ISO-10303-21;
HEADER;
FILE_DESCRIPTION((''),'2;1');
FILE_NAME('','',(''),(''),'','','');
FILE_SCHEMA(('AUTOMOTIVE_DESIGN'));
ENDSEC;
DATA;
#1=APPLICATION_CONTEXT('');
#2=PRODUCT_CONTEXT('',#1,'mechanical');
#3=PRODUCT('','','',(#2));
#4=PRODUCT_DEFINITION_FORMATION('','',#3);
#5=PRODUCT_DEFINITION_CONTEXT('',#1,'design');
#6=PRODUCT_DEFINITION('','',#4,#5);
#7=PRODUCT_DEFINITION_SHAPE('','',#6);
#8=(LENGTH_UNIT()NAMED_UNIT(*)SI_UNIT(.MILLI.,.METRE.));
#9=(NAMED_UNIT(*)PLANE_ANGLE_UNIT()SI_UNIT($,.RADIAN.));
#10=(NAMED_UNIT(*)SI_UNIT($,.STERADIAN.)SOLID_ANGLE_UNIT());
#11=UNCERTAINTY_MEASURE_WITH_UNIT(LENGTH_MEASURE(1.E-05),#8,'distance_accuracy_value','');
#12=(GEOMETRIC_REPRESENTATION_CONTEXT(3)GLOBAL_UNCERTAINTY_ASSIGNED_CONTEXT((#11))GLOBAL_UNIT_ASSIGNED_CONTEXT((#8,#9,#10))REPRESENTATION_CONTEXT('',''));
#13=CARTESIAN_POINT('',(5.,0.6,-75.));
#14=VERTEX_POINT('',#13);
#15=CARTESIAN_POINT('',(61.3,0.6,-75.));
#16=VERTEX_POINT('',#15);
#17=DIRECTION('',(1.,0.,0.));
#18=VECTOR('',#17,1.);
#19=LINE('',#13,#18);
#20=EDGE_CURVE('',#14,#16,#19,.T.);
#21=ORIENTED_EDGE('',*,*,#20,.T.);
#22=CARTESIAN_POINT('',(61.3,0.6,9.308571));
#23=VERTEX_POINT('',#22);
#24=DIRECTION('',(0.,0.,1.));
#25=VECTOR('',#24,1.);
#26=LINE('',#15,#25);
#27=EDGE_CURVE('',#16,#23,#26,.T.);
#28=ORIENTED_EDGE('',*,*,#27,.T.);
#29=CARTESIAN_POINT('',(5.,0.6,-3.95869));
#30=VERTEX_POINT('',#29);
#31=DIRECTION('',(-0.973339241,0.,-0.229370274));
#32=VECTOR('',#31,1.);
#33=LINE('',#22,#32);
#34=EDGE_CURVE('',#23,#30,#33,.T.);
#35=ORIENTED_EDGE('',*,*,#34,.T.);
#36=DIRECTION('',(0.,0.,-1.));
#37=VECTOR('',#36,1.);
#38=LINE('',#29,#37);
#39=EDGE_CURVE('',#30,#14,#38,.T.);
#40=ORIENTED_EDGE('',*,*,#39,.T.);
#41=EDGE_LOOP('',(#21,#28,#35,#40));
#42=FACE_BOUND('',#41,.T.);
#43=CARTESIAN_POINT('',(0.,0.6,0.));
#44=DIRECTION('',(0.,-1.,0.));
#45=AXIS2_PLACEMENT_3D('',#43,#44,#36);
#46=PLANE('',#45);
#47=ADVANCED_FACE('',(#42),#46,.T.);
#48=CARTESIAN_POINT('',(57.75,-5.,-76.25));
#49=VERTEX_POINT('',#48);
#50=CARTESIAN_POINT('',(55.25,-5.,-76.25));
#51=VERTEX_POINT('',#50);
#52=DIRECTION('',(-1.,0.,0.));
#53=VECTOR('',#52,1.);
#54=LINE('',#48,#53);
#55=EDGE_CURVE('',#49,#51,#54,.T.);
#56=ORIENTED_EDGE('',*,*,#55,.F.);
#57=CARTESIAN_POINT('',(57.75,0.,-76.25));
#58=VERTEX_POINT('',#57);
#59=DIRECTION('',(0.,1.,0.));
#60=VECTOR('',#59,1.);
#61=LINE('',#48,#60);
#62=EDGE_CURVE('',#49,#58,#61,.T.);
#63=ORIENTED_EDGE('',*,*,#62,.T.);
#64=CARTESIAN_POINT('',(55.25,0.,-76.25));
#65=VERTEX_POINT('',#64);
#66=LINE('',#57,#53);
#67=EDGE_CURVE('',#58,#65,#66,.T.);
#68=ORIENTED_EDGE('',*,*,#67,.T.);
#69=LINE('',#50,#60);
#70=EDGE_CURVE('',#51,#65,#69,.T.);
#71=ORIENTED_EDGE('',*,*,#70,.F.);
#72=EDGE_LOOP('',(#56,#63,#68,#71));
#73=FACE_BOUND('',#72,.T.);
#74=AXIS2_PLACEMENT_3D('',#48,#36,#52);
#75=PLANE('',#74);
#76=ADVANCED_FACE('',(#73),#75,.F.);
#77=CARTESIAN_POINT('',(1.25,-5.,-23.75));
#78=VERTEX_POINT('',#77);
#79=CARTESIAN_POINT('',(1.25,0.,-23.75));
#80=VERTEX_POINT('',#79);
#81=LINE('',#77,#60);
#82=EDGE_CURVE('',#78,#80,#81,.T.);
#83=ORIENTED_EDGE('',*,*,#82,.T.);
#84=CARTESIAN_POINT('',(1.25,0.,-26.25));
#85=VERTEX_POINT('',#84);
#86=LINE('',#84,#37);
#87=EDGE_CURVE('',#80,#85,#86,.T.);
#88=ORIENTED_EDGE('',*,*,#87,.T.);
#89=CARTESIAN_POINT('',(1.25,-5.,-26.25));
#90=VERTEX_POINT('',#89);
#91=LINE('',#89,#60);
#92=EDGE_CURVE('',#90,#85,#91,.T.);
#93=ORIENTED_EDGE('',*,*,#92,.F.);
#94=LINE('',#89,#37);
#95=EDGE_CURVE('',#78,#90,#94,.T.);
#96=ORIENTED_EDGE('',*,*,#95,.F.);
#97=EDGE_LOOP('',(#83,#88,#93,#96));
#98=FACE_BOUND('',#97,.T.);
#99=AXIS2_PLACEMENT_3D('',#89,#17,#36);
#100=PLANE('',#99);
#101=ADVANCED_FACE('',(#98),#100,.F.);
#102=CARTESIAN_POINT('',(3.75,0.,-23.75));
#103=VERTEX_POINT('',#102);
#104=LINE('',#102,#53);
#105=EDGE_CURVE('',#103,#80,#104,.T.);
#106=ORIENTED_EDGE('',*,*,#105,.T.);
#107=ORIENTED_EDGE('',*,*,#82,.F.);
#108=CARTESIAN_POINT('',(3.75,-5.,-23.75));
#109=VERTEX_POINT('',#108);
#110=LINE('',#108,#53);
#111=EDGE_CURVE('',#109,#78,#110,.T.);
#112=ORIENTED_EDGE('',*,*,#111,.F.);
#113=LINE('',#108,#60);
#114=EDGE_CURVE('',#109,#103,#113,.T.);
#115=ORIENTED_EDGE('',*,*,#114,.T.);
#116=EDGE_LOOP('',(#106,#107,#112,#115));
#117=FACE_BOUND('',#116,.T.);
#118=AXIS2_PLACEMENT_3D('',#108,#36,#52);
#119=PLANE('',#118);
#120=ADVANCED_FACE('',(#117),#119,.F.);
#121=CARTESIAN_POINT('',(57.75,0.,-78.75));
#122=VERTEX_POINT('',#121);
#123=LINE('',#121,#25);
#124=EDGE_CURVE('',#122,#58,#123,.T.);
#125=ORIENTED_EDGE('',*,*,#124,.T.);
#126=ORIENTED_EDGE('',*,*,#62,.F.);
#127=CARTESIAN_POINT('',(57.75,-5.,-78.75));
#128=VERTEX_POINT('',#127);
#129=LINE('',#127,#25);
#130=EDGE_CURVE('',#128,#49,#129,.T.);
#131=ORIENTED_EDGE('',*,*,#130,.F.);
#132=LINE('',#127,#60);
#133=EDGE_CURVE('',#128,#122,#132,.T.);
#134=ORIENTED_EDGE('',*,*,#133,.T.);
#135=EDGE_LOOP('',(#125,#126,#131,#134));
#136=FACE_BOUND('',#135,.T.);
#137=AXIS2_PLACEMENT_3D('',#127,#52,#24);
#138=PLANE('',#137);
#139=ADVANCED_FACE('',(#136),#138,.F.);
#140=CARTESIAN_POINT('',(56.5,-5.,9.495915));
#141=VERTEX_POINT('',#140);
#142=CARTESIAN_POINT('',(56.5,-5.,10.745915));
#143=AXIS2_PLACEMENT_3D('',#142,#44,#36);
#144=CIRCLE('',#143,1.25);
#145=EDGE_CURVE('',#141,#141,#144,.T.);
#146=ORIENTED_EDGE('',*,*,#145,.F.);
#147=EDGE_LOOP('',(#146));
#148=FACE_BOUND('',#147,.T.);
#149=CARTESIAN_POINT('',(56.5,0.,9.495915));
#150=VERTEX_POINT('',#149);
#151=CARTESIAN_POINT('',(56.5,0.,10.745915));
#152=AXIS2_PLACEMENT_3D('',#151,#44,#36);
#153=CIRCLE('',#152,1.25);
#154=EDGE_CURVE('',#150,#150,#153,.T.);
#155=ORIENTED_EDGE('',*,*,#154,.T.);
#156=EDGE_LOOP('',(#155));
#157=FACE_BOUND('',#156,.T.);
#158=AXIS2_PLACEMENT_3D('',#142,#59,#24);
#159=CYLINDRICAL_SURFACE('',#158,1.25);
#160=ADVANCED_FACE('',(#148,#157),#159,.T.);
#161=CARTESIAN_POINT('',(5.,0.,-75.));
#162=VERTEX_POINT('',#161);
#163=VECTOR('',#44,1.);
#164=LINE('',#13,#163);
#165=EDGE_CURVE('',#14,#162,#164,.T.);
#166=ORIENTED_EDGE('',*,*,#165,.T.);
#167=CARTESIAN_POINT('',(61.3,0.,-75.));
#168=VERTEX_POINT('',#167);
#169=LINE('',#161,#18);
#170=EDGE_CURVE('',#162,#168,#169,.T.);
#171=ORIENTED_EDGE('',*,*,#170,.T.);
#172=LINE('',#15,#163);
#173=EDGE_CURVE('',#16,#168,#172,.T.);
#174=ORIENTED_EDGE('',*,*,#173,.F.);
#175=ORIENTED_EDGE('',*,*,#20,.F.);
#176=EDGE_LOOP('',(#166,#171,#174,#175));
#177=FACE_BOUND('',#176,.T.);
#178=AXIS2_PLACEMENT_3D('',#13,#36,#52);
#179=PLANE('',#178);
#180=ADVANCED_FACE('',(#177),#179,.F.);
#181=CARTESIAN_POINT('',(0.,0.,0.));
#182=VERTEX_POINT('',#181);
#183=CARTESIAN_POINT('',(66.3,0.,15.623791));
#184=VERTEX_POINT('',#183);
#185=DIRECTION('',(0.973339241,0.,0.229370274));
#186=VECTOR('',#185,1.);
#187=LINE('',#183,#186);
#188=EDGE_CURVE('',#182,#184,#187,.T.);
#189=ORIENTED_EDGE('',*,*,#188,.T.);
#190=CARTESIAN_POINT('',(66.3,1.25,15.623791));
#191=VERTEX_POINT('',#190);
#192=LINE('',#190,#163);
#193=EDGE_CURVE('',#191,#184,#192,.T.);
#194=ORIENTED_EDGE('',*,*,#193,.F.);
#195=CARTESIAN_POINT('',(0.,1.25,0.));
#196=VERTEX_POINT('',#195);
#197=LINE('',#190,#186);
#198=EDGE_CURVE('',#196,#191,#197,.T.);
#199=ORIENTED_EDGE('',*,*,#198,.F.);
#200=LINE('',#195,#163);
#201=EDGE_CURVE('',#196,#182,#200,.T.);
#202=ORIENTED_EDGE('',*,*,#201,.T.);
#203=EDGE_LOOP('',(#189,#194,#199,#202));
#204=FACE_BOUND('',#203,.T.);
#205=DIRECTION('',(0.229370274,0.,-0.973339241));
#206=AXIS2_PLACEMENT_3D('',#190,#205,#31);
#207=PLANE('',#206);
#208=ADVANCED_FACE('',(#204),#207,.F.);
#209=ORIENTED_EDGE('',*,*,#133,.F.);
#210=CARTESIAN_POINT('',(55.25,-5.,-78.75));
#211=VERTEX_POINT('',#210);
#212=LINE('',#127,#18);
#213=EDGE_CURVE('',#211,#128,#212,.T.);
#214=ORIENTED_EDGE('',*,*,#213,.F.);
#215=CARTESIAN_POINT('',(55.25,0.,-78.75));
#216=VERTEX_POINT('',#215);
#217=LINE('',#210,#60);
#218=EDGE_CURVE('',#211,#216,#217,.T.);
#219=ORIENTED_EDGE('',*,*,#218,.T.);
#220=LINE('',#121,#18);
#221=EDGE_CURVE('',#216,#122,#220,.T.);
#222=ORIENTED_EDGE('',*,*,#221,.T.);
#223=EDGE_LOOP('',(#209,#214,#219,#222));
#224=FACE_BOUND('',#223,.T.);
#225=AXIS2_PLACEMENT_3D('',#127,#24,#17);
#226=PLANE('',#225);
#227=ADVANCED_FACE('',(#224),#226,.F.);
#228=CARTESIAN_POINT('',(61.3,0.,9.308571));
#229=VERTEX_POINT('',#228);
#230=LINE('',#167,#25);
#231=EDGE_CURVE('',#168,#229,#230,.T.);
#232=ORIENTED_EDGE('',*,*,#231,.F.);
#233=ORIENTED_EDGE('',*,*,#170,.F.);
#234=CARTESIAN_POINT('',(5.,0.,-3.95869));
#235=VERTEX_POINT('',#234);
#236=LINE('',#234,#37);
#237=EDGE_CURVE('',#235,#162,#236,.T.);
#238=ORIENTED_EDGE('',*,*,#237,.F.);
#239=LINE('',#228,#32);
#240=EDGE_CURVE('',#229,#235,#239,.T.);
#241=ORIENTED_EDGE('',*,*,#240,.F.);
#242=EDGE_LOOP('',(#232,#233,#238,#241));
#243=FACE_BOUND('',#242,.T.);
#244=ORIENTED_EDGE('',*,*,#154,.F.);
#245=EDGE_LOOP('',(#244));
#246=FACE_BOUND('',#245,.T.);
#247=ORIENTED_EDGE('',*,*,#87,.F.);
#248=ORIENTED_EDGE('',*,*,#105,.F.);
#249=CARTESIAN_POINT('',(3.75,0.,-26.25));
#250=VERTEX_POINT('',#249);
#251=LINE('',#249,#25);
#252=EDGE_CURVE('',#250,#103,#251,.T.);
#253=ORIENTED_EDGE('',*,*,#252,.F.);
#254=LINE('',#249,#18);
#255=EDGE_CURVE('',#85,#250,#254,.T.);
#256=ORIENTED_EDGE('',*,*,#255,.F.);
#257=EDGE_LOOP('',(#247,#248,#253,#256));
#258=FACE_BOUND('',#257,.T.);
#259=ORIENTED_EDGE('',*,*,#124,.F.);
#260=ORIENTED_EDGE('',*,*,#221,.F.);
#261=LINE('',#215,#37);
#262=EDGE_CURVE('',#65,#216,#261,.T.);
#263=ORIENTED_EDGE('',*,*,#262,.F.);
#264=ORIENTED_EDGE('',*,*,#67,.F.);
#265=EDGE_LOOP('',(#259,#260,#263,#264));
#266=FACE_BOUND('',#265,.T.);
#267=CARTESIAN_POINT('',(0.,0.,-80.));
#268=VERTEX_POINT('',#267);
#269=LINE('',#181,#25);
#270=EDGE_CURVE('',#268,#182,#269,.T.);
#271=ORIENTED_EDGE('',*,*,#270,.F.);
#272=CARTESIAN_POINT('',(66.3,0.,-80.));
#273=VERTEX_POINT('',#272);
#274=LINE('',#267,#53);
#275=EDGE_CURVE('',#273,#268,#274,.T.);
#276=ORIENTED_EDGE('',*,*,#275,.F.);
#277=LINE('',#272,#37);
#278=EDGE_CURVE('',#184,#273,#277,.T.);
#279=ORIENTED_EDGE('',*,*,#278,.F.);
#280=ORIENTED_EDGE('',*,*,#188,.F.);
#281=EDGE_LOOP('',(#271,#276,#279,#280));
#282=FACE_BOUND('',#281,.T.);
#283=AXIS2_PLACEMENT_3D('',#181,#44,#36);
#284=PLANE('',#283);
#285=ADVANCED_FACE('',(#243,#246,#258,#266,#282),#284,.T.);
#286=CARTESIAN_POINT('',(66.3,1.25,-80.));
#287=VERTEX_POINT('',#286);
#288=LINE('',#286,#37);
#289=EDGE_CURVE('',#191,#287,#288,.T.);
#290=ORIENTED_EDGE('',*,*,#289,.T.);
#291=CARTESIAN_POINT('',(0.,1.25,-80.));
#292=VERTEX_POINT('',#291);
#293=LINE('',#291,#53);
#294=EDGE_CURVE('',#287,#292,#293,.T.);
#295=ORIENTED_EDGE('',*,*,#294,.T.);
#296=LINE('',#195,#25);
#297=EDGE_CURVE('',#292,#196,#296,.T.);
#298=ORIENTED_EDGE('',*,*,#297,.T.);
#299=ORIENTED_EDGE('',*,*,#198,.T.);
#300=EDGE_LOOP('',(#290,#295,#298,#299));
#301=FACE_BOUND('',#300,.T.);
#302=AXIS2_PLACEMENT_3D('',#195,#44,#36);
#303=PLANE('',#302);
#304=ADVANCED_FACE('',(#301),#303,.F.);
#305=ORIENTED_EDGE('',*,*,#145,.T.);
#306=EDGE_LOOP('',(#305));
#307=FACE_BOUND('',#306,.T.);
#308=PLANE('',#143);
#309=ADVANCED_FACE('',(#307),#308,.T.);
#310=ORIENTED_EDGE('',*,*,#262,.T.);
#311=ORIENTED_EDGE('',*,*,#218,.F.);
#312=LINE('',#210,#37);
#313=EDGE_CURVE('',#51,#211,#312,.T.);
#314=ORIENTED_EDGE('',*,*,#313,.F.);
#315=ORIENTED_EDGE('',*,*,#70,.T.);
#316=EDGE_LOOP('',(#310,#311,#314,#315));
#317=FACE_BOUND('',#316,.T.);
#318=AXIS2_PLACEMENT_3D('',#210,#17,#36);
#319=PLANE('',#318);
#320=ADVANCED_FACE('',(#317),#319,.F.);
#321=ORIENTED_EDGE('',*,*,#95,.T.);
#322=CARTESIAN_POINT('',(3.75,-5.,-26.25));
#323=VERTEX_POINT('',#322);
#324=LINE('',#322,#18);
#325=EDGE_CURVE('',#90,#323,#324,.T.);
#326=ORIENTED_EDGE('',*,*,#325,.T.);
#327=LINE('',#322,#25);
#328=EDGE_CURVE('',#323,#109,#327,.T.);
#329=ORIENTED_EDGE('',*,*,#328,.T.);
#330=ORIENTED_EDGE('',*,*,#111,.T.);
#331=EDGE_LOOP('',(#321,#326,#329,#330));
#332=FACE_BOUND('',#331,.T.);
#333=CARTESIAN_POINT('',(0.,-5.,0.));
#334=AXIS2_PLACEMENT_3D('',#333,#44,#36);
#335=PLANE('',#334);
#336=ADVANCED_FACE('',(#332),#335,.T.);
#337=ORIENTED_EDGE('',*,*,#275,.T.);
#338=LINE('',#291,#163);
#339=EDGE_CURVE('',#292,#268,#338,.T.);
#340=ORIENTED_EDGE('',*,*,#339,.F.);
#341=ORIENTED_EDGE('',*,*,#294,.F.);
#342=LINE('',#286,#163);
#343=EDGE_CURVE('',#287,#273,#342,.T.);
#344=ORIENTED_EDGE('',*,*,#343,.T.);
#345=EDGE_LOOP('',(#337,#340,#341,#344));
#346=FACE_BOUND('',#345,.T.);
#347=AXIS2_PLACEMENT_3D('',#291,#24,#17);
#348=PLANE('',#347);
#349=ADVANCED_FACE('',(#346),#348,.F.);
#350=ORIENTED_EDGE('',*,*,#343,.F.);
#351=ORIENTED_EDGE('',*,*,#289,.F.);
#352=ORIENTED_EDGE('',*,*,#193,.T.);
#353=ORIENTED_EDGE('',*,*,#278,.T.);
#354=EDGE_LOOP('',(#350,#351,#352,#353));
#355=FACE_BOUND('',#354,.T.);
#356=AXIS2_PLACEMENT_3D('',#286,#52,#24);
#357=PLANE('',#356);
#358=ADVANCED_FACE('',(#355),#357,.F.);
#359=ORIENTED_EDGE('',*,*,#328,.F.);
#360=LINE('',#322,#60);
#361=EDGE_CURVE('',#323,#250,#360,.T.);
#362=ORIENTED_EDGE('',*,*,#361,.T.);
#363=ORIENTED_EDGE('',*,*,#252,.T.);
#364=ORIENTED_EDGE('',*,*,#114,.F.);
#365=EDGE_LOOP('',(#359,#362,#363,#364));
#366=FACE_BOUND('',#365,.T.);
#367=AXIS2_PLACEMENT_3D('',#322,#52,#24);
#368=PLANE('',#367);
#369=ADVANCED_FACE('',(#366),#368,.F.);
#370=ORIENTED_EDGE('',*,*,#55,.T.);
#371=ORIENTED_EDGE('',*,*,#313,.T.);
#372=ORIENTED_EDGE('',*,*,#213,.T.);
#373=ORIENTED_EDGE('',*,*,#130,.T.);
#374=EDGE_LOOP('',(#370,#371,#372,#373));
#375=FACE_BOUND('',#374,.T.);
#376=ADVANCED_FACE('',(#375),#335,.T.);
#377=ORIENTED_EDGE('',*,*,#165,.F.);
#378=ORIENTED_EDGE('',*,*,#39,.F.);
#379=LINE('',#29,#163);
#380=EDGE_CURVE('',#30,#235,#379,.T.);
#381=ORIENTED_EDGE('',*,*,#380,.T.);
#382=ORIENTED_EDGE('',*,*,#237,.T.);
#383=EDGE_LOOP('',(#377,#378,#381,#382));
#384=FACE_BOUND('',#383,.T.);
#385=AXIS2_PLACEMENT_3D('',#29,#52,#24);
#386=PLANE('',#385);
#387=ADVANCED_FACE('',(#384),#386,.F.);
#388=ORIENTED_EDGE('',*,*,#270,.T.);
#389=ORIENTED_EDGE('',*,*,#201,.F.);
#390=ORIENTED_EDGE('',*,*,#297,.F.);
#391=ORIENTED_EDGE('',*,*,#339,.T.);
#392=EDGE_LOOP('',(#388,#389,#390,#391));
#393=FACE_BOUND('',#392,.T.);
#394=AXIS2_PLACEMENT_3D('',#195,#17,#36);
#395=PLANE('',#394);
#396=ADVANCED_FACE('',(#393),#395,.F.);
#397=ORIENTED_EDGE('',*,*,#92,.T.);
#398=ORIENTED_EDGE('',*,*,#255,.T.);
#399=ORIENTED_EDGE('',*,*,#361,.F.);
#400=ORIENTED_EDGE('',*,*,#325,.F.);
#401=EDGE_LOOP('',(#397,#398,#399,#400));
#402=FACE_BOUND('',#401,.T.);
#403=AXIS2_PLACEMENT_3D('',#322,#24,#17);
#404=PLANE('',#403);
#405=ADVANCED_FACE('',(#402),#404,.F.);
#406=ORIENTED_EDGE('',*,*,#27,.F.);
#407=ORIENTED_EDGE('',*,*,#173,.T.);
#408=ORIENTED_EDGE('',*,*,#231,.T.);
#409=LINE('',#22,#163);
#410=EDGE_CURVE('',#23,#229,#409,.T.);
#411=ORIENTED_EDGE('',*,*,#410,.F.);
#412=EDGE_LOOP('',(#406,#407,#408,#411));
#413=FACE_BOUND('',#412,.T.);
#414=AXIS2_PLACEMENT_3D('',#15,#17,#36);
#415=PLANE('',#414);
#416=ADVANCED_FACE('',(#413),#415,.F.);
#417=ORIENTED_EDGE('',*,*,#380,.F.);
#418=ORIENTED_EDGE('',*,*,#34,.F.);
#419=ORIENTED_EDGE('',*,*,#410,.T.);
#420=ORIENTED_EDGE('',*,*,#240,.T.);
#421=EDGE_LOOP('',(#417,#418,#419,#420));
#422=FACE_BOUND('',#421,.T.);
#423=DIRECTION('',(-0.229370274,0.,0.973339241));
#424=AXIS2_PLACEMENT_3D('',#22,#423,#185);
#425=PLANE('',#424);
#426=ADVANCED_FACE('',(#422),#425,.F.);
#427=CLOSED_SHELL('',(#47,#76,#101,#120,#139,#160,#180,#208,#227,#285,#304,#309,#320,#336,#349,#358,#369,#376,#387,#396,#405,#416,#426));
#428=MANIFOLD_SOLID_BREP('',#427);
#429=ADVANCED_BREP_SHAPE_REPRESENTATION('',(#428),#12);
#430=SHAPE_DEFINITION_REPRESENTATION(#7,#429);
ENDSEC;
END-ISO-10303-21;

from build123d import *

# Parameters (mm, degrees)
BOSS_EXTRUDE1_DEPTH = 1.25
SKETCH2_R           = 1.25
SKETCH2_W           = 2.5
SKETCH2_H           = 2.5
BOSS_EXTRUDE2_DEPTH = 5
CUT_EXTRUDE1_DEPTH  = 0.6


with BuildPart() as part:
    # Sketch1 → Boss-Extrude1 (new body)
    with BuildSketch(Plane(origin=(0, 0, 0), x_dir=(1, 0, 0), z_dir=(0, 1, 0))):
        Polygon((0, 0), (0, 80), (66.3, 80), (66.3, -15.623791318), align=None)
    extrude(amount=BOSS_EXTRUDE1_DEPTH)

    # Sketch2 → Boss-Extrude2 (add)
    with BuildSketch(Plane.XZ):
        with Locations(Location((56.5, 10.745914737, 0), (0, 0, 270))):
            Circle(SKETCH2_R)
        with Locations((56.5, -77.5)):
            Rectangle(SKETCH2_W, SKETCH2_H)
        with Locations((2.5, -25)):
            Rectangle(SKETCH2_W, SKETCH2_H)
    extrude(amount=BOSS_EXTRUDE2_DEPTH)

    # Sketch3 → Cut-Extrude1 (cut)
    with BuildSketch(Plane(origin=(0, 0, 0), x_dir=(-1, 0, 0), z_dir=(0, -1, 0))):
        Polygon((-61.3, 75), (-61.3, -9.308571388), (-5, 3.958690319), (-5, 75), align=None)
    extrude(amount=-CUT_EXTRUDE1_DEPTH, mode=Mode.SUBTRACT)


solid = part.part
